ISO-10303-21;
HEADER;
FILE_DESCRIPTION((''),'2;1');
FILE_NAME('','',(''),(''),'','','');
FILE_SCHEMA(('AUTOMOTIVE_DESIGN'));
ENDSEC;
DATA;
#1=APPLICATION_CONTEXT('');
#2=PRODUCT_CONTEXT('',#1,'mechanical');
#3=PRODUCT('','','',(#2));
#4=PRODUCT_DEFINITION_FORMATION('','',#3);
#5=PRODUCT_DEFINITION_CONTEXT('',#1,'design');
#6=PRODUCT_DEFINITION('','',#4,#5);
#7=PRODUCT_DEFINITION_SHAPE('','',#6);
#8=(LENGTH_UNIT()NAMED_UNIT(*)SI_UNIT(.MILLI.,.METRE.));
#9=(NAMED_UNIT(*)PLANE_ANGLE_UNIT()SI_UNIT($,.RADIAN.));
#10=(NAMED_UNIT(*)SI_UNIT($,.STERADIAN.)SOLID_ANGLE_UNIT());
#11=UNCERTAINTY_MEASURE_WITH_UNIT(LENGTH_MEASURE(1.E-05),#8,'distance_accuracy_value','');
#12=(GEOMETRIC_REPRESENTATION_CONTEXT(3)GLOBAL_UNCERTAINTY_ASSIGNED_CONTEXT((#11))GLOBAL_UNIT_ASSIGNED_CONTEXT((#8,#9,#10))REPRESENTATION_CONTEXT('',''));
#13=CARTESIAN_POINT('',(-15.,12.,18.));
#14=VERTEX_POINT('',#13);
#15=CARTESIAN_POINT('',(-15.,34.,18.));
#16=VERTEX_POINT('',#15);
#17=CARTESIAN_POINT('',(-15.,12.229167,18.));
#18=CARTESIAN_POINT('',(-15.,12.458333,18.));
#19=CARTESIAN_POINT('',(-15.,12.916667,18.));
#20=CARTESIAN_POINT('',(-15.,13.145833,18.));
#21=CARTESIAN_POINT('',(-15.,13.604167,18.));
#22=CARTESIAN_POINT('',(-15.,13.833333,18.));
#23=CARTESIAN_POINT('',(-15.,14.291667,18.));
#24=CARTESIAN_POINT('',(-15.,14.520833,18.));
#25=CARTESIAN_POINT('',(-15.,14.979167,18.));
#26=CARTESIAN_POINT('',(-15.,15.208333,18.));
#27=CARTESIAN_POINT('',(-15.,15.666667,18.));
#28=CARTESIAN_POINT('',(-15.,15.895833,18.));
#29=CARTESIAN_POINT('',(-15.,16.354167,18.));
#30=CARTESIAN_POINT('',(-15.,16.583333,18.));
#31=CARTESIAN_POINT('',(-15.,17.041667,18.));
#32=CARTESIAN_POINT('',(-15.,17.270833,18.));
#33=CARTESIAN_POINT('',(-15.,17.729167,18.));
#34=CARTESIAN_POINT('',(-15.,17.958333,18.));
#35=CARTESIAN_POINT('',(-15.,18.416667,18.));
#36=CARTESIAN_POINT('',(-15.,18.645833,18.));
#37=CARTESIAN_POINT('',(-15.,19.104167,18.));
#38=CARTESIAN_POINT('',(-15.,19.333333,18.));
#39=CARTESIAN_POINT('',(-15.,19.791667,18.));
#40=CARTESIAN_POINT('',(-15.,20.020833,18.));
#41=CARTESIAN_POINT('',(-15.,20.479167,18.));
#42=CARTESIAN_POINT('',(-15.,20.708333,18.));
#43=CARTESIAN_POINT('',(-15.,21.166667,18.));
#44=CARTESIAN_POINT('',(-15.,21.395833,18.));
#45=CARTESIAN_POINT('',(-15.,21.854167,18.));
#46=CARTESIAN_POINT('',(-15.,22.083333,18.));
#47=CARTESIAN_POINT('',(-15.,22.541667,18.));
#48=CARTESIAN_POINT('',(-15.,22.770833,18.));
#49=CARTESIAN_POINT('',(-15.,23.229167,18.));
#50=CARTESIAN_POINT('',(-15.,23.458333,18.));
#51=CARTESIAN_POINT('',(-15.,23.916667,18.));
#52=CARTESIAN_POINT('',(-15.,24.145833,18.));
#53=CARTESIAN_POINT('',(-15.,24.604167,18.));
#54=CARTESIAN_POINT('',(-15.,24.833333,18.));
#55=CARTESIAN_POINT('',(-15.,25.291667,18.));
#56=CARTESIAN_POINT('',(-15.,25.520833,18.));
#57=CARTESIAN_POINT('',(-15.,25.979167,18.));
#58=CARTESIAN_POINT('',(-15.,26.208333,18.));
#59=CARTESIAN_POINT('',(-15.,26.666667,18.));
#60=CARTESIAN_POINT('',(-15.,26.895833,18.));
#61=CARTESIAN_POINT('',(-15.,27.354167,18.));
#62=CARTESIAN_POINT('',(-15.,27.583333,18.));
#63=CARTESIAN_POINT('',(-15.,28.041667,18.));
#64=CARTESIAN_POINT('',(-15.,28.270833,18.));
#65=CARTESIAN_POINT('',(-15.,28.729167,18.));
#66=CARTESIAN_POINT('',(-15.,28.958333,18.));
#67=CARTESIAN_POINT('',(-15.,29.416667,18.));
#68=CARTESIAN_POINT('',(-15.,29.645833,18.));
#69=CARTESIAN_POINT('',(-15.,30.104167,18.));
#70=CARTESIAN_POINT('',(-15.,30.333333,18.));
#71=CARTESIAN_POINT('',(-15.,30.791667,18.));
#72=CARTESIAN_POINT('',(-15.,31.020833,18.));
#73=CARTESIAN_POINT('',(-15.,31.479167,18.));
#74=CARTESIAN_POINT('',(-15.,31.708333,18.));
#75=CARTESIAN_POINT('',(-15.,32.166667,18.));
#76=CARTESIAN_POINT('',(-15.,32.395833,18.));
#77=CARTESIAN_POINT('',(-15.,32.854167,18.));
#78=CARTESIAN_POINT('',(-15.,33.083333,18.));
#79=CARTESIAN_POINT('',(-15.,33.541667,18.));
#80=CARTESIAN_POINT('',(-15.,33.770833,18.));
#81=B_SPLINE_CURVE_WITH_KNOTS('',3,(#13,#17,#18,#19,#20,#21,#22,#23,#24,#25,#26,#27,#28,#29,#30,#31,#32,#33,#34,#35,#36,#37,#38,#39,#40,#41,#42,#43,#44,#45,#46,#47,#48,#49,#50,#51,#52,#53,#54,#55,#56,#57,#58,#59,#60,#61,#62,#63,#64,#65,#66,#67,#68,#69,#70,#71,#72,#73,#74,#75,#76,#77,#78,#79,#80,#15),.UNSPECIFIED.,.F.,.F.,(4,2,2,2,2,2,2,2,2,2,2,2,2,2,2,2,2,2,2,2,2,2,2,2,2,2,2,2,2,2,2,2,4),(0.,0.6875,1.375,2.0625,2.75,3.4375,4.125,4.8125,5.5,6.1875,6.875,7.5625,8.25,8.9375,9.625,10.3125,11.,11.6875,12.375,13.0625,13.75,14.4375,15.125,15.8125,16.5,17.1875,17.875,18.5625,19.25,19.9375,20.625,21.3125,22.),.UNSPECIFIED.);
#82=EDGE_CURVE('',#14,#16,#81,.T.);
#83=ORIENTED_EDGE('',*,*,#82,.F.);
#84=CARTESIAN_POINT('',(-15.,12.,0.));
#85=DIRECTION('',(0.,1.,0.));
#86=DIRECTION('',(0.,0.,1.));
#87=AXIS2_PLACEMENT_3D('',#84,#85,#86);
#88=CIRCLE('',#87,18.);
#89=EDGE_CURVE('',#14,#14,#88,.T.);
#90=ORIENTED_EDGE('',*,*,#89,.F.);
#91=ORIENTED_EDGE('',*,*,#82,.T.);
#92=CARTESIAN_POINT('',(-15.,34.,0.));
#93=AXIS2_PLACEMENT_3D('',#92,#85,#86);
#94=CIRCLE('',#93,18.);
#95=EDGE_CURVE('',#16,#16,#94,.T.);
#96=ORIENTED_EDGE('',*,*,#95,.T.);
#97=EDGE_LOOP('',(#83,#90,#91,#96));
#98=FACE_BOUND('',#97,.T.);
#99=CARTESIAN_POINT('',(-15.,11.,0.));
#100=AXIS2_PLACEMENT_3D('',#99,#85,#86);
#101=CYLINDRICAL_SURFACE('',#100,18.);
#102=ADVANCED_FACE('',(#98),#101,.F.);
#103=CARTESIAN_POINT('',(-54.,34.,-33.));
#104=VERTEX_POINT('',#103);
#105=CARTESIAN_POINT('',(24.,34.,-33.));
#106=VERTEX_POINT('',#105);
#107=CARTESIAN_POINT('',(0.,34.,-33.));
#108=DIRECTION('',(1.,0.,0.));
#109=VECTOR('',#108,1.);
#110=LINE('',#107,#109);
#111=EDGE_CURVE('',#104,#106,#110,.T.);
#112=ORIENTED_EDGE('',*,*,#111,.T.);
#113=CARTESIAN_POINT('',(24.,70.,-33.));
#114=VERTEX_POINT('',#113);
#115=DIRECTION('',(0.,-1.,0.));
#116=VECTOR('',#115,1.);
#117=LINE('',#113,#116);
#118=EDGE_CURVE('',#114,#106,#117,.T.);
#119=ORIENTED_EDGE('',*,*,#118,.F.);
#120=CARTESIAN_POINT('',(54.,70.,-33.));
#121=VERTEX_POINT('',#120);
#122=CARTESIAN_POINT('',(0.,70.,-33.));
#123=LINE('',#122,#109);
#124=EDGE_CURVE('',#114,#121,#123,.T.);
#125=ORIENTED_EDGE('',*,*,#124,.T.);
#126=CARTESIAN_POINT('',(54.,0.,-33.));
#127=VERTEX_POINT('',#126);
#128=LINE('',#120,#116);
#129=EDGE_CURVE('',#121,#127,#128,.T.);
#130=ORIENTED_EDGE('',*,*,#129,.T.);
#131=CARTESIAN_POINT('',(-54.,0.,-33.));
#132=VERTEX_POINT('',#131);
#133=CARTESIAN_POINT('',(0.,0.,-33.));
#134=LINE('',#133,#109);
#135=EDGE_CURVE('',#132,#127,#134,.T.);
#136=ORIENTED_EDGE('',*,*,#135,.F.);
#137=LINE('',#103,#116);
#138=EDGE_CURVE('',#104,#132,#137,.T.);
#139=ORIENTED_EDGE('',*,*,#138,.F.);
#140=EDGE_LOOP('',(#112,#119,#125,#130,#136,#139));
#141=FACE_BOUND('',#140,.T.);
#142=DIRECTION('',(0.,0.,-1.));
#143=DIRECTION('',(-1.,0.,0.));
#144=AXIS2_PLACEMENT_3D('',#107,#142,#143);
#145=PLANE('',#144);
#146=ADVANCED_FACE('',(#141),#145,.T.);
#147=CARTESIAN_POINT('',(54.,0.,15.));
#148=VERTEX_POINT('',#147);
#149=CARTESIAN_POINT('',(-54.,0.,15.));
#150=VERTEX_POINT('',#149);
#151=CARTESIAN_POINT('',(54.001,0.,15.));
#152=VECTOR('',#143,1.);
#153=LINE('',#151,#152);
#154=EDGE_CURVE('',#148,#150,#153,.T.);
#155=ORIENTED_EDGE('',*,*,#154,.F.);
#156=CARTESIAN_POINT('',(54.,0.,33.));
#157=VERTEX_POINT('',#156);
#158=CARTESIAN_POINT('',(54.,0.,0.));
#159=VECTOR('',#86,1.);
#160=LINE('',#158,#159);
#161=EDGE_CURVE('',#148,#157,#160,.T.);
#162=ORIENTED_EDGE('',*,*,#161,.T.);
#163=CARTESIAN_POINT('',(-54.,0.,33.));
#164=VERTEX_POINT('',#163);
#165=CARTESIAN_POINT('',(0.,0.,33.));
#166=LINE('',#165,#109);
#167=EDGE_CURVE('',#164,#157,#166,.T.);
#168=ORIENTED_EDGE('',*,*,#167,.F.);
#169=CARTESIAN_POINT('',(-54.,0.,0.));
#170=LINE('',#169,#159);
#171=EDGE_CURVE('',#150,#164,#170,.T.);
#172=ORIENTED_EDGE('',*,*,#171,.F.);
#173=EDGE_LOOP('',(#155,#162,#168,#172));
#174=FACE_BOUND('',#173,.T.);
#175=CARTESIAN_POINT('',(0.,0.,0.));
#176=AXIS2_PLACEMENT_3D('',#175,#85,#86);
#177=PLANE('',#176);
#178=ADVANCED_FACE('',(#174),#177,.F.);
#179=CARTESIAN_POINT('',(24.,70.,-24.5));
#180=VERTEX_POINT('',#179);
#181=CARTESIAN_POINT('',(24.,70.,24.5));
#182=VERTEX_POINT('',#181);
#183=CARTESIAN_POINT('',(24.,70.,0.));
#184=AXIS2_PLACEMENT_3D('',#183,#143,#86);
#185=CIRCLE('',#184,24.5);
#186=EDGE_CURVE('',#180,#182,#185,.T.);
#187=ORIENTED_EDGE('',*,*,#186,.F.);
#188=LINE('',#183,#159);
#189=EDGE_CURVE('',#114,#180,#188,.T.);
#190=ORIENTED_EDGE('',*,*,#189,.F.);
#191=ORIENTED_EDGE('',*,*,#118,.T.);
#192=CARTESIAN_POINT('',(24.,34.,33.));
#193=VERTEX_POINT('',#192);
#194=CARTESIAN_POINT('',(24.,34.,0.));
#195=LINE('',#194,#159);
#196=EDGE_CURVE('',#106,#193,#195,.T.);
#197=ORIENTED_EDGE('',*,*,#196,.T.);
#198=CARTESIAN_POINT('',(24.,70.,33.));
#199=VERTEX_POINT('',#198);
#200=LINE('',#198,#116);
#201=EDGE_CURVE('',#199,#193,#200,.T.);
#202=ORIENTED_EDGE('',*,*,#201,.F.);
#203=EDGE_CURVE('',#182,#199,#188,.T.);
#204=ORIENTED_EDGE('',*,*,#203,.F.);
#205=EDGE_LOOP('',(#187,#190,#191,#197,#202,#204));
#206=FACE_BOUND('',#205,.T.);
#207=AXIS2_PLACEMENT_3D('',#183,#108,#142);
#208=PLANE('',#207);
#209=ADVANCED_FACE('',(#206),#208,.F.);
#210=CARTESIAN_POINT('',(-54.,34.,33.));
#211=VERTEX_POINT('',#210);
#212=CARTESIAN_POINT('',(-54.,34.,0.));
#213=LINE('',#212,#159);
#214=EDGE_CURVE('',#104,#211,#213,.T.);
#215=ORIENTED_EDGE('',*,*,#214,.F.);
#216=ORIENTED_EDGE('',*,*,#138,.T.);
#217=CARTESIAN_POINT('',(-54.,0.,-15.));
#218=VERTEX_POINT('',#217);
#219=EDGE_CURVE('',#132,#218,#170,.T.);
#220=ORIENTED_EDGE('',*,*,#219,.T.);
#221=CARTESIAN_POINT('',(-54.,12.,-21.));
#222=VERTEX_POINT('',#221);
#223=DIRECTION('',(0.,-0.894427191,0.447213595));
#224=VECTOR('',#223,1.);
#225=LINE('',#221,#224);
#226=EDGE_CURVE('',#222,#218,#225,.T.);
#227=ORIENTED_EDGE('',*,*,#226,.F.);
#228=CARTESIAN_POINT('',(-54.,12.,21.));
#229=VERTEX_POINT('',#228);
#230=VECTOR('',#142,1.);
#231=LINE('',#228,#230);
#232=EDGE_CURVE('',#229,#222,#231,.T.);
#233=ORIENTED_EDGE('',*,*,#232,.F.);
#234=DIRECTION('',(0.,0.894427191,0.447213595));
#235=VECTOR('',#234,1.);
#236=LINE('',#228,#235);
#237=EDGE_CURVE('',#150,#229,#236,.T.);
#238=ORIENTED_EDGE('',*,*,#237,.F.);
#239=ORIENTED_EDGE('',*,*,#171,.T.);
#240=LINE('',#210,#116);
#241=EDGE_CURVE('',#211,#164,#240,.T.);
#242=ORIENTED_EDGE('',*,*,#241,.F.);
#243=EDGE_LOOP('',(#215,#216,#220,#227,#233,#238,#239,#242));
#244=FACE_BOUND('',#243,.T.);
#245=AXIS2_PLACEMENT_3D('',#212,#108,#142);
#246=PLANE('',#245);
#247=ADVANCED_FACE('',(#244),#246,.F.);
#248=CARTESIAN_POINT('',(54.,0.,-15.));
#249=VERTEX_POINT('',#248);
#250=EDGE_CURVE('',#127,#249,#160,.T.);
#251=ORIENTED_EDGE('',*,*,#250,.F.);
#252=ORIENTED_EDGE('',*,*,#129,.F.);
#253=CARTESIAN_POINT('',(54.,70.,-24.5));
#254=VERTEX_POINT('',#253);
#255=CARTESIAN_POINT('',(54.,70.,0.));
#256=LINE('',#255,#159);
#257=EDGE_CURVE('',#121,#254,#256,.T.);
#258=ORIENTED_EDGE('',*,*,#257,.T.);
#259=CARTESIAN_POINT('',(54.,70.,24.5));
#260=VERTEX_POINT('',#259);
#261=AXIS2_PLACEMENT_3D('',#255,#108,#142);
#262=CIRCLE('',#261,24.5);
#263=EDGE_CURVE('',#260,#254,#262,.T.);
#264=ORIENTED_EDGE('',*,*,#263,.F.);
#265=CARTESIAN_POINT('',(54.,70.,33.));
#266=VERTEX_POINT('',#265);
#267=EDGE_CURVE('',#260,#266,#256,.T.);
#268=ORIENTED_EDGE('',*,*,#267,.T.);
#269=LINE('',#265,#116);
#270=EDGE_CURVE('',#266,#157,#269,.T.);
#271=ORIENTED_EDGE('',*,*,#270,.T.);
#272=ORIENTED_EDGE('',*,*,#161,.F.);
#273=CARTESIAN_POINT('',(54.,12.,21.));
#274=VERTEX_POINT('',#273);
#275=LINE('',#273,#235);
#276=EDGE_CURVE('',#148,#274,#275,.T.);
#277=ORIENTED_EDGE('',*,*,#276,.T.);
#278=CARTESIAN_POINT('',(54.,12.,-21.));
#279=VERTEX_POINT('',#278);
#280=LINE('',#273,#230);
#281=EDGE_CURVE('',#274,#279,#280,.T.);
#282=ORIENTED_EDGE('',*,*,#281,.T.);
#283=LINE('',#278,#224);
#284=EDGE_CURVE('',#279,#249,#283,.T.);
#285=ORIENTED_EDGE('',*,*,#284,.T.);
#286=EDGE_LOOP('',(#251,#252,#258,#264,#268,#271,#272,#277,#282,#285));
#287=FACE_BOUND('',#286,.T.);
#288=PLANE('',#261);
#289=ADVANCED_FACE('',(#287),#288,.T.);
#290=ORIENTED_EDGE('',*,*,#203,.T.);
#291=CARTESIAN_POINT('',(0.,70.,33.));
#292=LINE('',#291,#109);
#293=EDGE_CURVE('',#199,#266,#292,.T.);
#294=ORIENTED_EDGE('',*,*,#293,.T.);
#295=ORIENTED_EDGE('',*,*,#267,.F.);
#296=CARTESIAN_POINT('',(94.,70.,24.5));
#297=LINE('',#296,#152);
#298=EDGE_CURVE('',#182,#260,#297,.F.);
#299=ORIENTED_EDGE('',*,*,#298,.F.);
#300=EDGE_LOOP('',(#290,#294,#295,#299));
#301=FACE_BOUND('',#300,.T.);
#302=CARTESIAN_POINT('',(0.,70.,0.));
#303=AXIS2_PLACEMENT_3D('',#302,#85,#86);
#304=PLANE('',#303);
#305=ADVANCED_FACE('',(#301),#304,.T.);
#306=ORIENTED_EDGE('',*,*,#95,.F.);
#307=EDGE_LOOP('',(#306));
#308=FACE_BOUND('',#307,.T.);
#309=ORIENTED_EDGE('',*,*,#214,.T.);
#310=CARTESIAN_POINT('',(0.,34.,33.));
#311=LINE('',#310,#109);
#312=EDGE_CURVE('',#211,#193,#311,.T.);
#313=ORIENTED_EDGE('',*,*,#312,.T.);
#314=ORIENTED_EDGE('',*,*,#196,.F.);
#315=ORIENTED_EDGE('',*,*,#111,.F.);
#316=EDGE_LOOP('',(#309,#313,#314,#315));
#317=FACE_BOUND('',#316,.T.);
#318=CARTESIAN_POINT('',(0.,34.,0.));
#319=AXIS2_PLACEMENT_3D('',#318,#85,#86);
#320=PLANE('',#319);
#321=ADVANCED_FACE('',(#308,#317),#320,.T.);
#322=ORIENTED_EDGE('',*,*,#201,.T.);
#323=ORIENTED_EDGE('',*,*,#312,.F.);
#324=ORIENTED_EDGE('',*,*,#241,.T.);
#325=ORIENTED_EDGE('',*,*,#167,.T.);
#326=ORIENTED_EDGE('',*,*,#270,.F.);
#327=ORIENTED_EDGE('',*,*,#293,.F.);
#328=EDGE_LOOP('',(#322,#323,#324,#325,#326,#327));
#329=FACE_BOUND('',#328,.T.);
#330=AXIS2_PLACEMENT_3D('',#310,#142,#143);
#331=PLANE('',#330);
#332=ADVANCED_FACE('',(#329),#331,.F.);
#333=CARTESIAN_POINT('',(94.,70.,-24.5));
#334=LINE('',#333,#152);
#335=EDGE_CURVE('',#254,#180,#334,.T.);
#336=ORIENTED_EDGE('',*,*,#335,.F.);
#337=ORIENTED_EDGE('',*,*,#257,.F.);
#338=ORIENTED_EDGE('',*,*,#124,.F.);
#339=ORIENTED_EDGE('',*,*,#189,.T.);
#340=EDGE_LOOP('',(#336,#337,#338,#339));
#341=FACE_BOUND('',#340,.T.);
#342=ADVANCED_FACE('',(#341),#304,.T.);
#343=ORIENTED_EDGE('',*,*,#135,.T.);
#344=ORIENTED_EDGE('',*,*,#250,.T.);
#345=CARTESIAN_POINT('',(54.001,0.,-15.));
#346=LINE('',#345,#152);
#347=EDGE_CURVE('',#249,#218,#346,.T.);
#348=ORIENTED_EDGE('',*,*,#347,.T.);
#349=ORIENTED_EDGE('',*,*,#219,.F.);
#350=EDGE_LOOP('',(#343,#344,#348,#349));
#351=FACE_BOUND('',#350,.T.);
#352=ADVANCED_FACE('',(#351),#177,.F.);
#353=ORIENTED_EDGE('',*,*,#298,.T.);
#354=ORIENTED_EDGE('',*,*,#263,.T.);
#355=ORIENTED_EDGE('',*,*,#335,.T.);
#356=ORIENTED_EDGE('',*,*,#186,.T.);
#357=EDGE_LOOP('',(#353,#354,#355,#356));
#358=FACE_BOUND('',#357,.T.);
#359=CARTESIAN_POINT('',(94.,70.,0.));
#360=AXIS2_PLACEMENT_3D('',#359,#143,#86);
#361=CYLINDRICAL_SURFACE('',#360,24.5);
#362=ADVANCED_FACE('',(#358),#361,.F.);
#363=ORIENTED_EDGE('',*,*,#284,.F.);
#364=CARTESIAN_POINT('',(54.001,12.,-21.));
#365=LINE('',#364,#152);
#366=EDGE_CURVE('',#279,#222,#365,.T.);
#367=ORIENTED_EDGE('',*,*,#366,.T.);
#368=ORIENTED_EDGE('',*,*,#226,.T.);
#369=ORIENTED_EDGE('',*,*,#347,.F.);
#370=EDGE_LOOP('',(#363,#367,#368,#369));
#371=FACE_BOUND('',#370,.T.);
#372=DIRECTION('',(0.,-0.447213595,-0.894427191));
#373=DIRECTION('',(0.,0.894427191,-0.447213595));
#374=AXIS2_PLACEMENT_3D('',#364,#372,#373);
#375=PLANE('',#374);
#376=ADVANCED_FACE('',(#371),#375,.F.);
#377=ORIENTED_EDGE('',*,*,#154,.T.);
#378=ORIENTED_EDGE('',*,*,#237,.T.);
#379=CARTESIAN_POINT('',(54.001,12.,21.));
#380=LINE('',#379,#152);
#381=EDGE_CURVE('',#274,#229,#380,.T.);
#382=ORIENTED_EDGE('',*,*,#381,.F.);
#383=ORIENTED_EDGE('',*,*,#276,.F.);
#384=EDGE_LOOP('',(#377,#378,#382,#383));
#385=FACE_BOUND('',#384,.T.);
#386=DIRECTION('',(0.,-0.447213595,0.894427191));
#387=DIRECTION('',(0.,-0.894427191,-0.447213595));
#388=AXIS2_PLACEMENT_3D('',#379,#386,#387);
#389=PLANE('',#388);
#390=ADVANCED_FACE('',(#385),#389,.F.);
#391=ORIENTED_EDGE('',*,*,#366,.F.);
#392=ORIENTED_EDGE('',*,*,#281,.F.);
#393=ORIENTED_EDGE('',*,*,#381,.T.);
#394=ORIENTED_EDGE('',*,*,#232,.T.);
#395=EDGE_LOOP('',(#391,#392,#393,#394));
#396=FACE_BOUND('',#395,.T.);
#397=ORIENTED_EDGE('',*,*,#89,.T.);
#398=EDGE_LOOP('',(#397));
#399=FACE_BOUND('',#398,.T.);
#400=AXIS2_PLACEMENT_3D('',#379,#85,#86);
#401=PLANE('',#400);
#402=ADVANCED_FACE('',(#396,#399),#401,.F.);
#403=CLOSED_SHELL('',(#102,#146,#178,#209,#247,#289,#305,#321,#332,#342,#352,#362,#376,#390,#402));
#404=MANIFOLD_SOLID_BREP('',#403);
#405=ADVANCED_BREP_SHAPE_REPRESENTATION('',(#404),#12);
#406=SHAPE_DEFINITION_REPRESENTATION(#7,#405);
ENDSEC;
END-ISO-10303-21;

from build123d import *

# Parameters (mm, degrees)
SKETCH_1_W          = 78
SKETCH_1_H          = 66
EXTRUDE_1_DEPTH     = 34
SKETCH_1_3_W        = 30
SKETCH_1_3_H        = 66
EXTRUDE_2_DEPTH     = 70
SKETCH_2_R          = 18
CUT_EXTRUDE_1_DEPTH = 23
SKETCH_3_R          = 24.5
CUT_EXTRUDE_2_DEPTH = 70
CUT_EXTRUDE_3_REACH = 134.865


with BuildPart() as part:
    # 草图1 → 凸台-拉伸1 (new body)
    with BuildSketch(Plane(origin=(0, 0, 0), x_dir=(1, 0, 0), z_dir=(0, 1, 0))):
        with Locations((-15, 0)):
            Rectangle(SKETCH_1_W, SKETCH_1_H)
    extrude(amount=EXTRUDE_1_DEPTH)

    # 草图1<3> → 凸台-拉伸2 (add)
    with BuildSketch(Plane(origin=(0, 0, 0), x_dir=(1, 0, 0), z_dir=(0, 1, 0))):
        with Locations((39, 0)):
            Rectangle(SKETCH_1_3_W, SKETCH_1_3_H)
    extrude(amount=EXTRUDE_2_DEPTH)

    # 草图2 → 切除-拉伸1 (cut)
    with BuildSketch(Plane(origin=(0, 34, 0), x_dir=(1, 0, 0), z_dir=(0, 1, 0))):
        with Locations((-15, 0)):
            Circle(SKETCH_2_R)
    extrude(amount=-CUT_EXTRUDE_1_DEPTH, mode=Mode.SUBTRACT)

    # 草图3 → 切除-拉伸2 (cut)
    with BuildSketch(Plane.ZY.offset(-24)):
        with Locations((0, 70)):
            Circle(SKETCH_3_R)
    extrude(amount=-CUT_EXTRUDE_2_DEPTH, mode=Mode.SUBTRACT)

    # 草图4 → 切除-拉伸3 (cut, up to next)
    with BuildSketch(Plane.ZY.offset(54), mode=Mode.PRIVATE) as cut_extrude_3_sk1:
        Polygon((21, 12), (-21, 12), (-15, 0), (15, 0), align=None)
    cut_extrude_3_tool1 = extrude(cut_extrude_3_sk1.sketch, amount=-CUT_EXTRUDE_3_REACH, mode=Mode.PRIVATE) & part.part
    add(cut_extrude_3_tool1.solids().sort_by_distance((-54, 6.333333, 0))[0], mode=Mode.SUBTRACT)


solid = part.part
